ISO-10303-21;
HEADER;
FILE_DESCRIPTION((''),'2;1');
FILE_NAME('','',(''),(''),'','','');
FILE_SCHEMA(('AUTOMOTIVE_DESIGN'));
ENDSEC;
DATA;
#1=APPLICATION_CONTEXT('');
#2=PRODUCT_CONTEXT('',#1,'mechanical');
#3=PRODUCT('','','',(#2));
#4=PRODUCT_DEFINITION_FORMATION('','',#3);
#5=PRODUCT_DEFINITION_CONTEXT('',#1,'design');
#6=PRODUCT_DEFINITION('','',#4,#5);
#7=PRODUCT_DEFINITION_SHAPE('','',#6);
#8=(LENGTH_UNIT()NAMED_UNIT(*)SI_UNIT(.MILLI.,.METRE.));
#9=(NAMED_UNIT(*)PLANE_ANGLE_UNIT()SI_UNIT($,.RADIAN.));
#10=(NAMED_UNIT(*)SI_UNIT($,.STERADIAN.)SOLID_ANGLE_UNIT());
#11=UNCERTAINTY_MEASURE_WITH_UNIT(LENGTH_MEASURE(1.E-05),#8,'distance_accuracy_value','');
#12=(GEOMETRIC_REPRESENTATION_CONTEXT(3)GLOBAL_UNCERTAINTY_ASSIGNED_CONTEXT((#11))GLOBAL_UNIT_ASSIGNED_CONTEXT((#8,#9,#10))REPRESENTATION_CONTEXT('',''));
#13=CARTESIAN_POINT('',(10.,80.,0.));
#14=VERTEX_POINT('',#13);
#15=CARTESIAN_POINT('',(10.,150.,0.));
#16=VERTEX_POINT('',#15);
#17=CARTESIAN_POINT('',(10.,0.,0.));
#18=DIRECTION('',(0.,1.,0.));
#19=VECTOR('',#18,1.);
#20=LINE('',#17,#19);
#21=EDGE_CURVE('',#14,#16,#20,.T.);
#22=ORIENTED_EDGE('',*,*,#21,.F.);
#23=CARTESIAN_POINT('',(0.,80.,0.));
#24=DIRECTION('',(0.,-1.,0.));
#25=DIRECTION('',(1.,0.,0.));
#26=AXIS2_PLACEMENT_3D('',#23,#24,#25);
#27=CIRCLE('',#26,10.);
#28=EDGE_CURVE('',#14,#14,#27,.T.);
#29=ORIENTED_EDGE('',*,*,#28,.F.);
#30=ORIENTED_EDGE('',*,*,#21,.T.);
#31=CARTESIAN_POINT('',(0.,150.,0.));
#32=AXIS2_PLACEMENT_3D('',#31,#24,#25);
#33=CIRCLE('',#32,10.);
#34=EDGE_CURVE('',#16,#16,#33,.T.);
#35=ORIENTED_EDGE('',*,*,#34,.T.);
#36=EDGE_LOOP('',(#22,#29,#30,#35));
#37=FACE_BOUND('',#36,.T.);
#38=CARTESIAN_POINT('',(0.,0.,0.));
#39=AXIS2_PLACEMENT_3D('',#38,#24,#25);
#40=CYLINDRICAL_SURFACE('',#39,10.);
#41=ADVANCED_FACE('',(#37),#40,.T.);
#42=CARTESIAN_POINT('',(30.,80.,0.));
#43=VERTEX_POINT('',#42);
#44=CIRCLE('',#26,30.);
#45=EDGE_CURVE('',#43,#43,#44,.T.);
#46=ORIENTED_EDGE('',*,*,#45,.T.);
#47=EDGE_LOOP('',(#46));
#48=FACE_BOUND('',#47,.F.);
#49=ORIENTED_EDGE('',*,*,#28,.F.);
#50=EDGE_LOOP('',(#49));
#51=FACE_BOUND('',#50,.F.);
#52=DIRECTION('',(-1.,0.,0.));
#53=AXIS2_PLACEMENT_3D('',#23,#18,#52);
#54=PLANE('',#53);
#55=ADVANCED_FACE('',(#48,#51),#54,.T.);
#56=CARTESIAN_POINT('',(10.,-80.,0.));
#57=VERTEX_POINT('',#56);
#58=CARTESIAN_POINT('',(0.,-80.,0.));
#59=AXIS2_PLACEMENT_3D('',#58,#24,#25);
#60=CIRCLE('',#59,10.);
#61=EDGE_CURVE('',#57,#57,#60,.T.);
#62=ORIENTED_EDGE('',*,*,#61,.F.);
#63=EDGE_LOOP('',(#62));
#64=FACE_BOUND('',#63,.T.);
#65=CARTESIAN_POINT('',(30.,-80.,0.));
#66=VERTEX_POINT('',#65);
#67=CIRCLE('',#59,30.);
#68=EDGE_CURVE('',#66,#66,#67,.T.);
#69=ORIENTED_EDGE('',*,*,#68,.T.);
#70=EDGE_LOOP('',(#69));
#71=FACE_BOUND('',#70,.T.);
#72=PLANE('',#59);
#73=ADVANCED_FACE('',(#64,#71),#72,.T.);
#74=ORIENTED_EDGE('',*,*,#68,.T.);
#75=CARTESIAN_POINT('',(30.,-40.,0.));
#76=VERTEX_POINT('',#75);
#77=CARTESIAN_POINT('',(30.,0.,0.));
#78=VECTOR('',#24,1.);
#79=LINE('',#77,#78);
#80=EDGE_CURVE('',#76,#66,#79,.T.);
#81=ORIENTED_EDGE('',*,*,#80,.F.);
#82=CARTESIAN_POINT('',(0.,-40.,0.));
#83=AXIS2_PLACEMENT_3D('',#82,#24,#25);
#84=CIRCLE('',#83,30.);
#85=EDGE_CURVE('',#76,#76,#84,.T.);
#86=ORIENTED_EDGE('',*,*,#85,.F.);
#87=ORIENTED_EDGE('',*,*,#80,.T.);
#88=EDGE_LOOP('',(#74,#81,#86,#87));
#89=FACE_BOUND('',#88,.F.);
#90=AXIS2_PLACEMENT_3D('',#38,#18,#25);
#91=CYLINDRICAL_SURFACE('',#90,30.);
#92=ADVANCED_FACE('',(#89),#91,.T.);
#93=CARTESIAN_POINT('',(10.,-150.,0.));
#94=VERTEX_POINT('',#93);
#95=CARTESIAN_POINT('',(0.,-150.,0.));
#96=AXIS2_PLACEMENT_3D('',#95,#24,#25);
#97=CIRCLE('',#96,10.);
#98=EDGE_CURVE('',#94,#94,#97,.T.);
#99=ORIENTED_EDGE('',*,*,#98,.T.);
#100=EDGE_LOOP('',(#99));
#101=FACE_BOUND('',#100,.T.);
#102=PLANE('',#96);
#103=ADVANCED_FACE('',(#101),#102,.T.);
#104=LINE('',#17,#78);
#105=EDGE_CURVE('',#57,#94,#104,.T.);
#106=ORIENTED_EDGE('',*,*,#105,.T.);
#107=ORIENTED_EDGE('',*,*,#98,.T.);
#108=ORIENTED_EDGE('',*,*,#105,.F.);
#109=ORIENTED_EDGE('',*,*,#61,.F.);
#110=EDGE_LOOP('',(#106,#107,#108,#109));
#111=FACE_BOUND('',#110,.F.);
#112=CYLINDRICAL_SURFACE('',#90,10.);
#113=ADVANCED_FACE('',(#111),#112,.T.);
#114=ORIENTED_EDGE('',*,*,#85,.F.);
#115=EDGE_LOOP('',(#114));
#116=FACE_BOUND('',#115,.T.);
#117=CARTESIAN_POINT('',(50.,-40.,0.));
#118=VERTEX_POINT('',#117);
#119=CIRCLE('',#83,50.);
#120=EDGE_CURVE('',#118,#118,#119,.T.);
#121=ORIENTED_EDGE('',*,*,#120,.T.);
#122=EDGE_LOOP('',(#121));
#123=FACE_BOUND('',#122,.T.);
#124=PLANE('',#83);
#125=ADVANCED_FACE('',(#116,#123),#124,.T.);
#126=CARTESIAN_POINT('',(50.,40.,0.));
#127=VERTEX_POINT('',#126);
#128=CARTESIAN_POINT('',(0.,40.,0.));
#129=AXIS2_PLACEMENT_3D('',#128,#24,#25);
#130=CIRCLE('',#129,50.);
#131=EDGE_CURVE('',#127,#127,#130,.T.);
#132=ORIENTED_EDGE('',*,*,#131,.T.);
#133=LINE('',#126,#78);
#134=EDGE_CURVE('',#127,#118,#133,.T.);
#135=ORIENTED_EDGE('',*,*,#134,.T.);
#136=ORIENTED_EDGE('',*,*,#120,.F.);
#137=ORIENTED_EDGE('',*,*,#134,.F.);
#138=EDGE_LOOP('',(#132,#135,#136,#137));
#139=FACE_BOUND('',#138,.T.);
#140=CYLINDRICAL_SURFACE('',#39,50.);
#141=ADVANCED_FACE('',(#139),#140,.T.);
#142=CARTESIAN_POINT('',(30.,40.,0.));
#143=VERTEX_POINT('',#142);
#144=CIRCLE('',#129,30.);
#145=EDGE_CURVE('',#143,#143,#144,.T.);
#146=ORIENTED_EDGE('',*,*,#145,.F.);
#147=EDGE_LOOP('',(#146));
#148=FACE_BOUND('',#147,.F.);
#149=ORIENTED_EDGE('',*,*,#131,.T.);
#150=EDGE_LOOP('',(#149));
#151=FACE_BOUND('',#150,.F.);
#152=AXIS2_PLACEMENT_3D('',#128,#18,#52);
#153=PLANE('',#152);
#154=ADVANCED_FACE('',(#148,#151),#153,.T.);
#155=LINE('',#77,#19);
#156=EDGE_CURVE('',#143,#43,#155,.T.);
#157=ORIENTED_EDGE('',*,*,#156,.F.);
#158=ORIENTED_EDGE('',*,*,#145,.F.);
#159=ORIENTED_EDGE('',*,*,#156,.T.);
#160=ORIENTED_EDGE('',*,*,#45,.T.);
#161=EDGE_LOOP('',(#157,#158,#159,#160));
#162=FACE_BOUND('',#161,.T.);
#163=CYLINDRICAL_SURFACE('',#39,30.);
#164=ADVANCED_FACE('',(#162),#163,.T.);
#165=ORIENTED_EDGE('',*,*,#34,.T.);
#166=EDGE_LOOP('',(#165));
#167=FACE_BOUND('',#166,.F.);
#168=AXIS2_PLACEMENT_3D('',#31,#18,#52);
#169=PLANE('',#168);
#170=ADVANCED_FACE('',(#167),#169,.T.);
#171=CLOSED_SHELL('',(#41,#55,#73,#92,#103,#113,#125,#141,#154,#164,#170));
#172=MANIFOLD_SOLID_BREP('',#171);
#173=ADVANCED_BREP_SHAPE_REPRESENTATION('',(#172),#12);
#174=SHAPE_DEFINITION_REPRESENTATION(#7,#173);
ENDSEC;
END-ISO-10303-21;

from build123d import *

# Parameters (mm, degrees)
F0_R     = 10
F1_DEPTH = 150
F0_R_2   = 30
F2_DEPTH = 80
F0_R_3   = 50
F3_DEPTH = 40


with BuildPart() as f1:
    # F0 (on Front) → F1 (new body)
    with BuildSketch(Plane.XZ):
        Circle(F0_R)
    extrude(amount=F1_DEPTH)

    # F0 (on Front) → F2 (join)
    with BuildSketch(Plane.XZ):
        Circle(F0_R_2)
        Circle(F0_R, mode=Mode.SUBTRACT)
    extrude(amount=F2_DEPTH)

    # F0 (on Front) → F3 (join)
    with BuildSketch(Plane.XZ):
        Circle(F0_R_3)
        Circle(F0_R_2, mode=Mode.SUBTRACT)
    extrude(amount=F3_DEPTH)

    # F4: F1 across plane


with BuildPart() as f1_1:
    add(f1.part)
    add(f1.part.mirror(Plane.XZ))


solid = f1_1.part
